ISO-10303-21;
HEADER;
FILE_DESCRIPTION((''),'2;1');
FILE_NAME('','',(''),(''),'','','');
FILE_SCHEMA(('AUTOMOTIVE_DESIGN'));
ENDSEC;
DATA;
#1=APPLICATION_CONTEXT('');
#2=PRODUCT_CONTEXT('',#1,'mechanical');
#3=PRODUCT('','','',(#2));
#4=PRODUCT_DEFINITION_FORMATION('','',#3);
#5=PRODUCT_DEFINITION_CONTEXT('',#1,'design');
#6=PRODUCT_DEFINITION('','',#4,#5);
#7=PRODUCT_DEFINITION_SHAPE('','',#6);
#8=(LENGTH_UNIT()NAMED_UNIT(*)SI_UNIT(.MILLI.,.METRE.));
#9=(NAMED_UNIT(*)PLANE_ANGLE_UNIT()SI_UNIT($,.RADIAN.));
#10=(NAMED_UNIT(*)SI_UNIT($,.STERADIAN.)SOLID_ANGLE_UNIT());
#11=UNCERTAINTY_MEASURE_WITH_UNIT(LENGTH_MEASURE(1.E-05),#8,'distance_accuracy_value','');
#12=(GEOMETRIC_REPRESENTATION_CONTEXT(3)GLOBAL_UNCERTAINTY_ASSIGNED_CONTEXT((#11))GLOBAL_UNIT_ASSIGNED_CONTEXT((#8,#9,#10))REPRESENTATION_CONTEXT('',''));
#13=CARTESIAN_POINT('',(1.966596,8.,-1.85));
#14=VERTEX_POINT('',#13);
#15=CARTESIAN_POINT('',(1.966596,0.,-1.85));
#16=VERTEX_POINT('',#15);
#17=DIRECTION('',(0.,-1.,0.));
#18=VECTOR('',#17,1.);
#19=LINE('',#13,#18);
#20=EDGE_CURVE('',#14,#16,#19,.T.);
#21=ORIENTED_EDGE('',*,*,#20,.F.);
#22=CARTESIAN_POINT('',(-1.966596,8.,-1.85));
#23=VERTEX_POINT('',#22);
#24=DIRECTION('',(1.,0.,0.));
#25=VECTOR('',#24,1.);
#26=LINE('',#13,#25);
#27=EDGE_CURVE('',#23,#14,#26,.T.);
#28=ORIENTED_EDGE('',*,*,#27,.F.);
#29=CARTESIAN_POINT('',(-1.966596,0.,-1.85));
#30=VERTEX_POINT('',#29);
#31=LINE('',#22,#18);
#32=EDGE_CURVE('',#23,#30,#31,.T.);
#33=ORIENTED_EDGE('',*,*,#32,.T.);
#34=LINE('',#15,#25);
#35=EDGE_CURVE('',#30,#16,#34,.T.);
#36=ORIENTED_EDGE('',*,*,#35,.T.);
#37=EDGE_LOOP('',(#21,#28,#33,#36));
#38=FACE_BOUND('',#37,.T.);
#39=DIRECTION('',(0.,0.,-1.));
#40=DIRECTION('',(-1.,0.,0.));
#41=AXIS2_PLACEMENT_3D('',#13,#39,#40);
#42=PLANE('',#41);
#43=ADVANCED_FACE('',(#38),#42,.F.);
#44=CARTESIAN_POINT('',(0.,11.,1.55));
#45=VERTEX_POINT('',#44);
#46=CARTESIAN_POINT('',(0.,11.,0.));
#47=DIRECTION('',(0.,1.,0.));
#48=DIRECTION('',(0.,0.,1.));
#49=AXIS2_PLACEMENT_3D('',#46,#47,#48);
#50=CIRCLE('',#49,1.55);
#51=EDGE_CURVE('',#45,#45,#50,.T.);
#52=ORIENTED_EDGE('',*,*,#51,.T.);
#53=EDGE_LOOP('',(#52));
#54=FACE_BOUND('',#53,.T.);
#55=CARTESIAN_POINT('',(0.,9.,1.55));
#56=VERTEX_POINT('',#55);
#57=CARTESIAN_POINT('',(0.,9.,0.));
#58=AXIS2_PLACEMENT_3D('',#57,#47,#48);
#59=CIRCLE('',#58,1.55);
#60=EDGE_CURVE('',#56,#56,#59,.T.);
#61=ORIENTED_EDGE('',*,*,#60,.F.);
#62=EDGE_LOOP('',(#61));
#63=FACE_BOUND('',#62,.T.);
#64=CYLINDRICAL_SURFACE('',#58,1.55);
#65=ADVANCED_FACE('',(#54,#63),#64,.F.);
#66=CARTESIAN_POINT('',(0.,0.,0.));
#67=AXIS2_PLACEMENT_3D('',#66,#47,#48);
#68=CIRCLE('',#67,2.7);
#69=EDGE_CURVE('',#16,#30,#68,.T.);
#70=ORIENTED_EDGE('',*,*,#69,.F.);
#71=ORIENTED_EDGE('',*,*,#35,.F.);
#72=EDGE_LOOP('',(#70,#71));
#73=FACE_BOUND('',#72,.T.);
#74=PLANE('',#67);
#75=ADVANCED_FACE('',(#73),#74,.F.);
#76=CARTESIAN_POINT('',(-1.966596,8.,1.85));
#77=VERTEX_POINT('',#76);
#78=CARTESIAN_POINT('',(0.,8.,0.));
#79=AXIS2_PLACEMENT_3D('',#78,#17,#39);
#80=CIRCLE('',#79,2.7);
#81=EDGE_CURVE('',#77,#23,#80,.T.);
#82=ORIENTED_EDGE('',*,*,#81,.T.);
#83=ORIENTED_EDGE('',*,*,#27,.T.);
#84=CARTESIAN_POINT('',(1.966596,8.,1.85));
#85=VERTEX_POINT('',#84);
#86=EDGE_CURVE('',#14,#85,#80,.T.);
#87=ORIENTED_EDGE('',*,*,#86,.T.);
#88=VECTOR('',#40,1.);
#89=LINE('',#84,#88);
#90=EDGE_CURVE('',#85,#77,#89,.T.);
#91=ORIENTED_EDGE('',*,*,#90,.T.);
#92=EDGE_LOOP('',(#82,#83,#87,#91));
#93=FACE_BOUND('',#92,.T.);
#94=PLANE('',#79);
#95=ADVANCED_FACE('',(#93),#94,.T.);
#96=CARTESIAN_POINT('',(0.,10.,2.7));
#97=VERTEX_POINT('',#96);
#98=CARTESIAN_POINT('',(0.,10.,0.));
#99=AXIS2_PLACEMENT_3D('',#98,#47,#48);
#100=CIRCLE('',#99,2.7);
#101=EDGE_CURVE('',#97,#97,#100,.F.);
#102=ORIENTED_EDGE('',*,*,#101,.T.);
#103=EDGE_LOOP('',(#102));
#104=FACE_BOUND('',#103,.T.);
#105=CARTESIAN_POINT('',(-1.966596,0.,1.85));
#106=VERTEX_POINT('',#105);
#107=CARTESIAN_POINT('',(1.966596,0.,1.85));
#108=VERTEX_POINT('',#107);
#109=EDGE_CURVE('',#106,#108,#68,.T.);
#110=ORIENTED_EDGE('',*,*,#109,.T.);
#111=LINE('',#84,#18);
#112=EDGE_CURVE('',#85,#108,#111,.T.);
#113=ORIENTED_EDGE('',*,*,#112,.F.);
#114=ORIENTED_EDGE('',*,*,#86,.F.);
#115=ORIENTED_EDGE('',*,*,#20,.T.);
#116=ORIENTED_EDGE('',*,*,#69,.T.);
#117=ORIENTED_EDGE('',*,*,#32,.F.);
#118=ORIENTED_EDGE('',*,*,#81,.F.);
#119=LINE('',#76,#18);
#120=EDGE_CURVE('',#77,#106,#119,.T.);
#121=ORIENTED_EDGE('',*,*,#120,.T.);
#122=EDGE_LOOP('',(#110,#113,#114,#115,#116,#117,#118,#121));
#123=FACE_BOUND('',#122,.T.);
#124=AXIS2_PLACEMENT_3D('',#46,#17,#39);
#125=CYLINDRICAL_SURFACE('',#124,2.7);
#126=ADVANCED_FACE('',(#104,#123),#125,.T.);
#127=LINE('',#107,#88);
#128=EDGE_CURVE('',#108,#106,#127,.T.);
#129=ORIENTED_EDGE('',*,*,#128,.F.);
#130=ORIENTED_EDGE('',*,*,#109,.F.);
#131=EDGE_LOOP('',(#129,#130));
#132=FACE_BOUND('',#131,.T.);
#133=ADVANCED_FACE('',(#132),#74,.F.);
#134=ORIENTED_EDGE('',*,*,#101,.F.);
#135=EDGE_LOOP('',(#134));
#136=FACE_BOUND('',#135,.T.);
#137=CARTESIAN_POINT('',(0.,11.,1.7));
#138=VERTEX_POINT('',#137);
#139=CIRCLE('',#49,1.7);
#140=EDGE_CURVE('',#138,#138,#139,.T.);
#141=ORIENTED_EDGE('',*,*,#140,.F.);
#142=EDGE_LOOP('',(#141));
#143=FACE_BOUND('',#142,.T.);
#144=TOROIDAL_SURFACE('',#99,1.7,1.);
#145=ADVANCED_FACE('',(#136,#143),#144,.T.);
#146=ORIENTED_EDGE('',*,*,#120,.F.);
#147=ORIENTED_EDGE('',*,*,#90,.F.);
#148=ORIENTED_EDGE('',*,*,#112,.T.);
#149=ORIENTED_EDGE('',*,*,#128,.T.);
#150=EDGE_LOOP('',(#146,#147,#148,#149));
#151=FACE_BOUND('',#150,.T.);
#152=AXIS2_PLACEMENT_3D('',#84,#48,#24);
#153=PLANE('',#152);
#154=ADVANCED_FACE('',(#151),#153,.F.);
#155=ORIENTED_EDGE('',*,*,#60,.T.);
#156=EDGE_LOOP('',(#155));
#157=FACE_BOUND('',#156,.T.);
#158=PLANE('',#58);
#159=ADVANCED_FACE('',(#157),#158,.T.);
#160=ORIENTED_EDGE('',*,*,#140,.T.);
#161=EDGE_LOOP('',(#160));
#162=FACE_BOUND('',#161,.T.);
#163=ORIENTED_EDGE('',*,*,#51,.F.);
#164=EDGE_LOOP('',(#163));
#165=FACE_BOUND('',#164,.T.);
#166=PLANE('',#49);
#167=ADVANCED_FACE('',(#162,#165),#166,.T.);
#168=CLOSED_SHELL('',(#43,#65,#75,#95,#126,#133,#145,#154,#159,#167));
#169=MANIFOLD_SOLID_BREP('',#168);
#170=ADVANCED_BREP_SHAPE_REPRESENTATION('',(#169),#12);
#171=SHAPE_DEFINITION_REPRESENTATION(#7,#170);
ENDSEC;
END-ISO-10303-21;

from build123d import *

# Parameters (mm, degrees)
SKETCH1_R           = 2.7
BOSS_EXTRUDE1_DEPTH = 11
CUT_EXTRUDE1_DEPTH  = 8
SKETCH3_R           = 1.55
CUT_EXTRUDE2_DEPTH  = 2
FILLET1_R           = 1


with BuildPart() as part:
    # Sketch1 → Boss-Extrude1 (new body)
    with BuildSketch(Plane(origin=(0, 0, 0), x_dir=(1, 0, 0), z_dir=(0, 1, 0))):
        with Locations(Location((0, 0, 0), (0, 0, 270))):
            Circle(SKETCH1_R)
    extrude(amount=BOSS_EXTRUDE1_DEPTH)

    # Sketch2 → Cut-Extrude1 (cut)
    with BuildSketch(Plane.XZ):
        with BuildLine():
            Line((1.966596044, 1.85), (-1.966596044, 1.85))
            ThreePointArc((-1.966596044, 1.85), (-2.7, 0), (-1.966596044, -1.85))
            Line((-1.966596044, -1.85), (1.966596044, -1.85))
            ThreePointArc((1.966596044, -1.85), (2.7, 0), (1.966596044, 1.85))
        make_face()
    extrude(amount=-CUT_EXTRUDE1_DEPTH, mode=Mode.SUBTRACT)

    # Sketch3 → Cut-Extrude2 (cut)
    with BuildSketch(Plane(origin=(0, 11, 0), x_dir=(1, 0, 0), z_dir=(0, 1, 0))):
        with Locations(Location((0, 0, 0), (0, 0, 270))):
            Circle(SKETCH3_R)
    extrude(amount=-CUT_EXTRUDE2_DEPTH, mode=Mode.SUBTRACT)

    # Fillet1
    fillet1_edges = [part.edges().sort_by_distance(p)[0] for p in [
        (0, 11, -2.7),
    ]]
    fillet(fillet1_edges, radius=FILLET1_R)


solid = part.part
